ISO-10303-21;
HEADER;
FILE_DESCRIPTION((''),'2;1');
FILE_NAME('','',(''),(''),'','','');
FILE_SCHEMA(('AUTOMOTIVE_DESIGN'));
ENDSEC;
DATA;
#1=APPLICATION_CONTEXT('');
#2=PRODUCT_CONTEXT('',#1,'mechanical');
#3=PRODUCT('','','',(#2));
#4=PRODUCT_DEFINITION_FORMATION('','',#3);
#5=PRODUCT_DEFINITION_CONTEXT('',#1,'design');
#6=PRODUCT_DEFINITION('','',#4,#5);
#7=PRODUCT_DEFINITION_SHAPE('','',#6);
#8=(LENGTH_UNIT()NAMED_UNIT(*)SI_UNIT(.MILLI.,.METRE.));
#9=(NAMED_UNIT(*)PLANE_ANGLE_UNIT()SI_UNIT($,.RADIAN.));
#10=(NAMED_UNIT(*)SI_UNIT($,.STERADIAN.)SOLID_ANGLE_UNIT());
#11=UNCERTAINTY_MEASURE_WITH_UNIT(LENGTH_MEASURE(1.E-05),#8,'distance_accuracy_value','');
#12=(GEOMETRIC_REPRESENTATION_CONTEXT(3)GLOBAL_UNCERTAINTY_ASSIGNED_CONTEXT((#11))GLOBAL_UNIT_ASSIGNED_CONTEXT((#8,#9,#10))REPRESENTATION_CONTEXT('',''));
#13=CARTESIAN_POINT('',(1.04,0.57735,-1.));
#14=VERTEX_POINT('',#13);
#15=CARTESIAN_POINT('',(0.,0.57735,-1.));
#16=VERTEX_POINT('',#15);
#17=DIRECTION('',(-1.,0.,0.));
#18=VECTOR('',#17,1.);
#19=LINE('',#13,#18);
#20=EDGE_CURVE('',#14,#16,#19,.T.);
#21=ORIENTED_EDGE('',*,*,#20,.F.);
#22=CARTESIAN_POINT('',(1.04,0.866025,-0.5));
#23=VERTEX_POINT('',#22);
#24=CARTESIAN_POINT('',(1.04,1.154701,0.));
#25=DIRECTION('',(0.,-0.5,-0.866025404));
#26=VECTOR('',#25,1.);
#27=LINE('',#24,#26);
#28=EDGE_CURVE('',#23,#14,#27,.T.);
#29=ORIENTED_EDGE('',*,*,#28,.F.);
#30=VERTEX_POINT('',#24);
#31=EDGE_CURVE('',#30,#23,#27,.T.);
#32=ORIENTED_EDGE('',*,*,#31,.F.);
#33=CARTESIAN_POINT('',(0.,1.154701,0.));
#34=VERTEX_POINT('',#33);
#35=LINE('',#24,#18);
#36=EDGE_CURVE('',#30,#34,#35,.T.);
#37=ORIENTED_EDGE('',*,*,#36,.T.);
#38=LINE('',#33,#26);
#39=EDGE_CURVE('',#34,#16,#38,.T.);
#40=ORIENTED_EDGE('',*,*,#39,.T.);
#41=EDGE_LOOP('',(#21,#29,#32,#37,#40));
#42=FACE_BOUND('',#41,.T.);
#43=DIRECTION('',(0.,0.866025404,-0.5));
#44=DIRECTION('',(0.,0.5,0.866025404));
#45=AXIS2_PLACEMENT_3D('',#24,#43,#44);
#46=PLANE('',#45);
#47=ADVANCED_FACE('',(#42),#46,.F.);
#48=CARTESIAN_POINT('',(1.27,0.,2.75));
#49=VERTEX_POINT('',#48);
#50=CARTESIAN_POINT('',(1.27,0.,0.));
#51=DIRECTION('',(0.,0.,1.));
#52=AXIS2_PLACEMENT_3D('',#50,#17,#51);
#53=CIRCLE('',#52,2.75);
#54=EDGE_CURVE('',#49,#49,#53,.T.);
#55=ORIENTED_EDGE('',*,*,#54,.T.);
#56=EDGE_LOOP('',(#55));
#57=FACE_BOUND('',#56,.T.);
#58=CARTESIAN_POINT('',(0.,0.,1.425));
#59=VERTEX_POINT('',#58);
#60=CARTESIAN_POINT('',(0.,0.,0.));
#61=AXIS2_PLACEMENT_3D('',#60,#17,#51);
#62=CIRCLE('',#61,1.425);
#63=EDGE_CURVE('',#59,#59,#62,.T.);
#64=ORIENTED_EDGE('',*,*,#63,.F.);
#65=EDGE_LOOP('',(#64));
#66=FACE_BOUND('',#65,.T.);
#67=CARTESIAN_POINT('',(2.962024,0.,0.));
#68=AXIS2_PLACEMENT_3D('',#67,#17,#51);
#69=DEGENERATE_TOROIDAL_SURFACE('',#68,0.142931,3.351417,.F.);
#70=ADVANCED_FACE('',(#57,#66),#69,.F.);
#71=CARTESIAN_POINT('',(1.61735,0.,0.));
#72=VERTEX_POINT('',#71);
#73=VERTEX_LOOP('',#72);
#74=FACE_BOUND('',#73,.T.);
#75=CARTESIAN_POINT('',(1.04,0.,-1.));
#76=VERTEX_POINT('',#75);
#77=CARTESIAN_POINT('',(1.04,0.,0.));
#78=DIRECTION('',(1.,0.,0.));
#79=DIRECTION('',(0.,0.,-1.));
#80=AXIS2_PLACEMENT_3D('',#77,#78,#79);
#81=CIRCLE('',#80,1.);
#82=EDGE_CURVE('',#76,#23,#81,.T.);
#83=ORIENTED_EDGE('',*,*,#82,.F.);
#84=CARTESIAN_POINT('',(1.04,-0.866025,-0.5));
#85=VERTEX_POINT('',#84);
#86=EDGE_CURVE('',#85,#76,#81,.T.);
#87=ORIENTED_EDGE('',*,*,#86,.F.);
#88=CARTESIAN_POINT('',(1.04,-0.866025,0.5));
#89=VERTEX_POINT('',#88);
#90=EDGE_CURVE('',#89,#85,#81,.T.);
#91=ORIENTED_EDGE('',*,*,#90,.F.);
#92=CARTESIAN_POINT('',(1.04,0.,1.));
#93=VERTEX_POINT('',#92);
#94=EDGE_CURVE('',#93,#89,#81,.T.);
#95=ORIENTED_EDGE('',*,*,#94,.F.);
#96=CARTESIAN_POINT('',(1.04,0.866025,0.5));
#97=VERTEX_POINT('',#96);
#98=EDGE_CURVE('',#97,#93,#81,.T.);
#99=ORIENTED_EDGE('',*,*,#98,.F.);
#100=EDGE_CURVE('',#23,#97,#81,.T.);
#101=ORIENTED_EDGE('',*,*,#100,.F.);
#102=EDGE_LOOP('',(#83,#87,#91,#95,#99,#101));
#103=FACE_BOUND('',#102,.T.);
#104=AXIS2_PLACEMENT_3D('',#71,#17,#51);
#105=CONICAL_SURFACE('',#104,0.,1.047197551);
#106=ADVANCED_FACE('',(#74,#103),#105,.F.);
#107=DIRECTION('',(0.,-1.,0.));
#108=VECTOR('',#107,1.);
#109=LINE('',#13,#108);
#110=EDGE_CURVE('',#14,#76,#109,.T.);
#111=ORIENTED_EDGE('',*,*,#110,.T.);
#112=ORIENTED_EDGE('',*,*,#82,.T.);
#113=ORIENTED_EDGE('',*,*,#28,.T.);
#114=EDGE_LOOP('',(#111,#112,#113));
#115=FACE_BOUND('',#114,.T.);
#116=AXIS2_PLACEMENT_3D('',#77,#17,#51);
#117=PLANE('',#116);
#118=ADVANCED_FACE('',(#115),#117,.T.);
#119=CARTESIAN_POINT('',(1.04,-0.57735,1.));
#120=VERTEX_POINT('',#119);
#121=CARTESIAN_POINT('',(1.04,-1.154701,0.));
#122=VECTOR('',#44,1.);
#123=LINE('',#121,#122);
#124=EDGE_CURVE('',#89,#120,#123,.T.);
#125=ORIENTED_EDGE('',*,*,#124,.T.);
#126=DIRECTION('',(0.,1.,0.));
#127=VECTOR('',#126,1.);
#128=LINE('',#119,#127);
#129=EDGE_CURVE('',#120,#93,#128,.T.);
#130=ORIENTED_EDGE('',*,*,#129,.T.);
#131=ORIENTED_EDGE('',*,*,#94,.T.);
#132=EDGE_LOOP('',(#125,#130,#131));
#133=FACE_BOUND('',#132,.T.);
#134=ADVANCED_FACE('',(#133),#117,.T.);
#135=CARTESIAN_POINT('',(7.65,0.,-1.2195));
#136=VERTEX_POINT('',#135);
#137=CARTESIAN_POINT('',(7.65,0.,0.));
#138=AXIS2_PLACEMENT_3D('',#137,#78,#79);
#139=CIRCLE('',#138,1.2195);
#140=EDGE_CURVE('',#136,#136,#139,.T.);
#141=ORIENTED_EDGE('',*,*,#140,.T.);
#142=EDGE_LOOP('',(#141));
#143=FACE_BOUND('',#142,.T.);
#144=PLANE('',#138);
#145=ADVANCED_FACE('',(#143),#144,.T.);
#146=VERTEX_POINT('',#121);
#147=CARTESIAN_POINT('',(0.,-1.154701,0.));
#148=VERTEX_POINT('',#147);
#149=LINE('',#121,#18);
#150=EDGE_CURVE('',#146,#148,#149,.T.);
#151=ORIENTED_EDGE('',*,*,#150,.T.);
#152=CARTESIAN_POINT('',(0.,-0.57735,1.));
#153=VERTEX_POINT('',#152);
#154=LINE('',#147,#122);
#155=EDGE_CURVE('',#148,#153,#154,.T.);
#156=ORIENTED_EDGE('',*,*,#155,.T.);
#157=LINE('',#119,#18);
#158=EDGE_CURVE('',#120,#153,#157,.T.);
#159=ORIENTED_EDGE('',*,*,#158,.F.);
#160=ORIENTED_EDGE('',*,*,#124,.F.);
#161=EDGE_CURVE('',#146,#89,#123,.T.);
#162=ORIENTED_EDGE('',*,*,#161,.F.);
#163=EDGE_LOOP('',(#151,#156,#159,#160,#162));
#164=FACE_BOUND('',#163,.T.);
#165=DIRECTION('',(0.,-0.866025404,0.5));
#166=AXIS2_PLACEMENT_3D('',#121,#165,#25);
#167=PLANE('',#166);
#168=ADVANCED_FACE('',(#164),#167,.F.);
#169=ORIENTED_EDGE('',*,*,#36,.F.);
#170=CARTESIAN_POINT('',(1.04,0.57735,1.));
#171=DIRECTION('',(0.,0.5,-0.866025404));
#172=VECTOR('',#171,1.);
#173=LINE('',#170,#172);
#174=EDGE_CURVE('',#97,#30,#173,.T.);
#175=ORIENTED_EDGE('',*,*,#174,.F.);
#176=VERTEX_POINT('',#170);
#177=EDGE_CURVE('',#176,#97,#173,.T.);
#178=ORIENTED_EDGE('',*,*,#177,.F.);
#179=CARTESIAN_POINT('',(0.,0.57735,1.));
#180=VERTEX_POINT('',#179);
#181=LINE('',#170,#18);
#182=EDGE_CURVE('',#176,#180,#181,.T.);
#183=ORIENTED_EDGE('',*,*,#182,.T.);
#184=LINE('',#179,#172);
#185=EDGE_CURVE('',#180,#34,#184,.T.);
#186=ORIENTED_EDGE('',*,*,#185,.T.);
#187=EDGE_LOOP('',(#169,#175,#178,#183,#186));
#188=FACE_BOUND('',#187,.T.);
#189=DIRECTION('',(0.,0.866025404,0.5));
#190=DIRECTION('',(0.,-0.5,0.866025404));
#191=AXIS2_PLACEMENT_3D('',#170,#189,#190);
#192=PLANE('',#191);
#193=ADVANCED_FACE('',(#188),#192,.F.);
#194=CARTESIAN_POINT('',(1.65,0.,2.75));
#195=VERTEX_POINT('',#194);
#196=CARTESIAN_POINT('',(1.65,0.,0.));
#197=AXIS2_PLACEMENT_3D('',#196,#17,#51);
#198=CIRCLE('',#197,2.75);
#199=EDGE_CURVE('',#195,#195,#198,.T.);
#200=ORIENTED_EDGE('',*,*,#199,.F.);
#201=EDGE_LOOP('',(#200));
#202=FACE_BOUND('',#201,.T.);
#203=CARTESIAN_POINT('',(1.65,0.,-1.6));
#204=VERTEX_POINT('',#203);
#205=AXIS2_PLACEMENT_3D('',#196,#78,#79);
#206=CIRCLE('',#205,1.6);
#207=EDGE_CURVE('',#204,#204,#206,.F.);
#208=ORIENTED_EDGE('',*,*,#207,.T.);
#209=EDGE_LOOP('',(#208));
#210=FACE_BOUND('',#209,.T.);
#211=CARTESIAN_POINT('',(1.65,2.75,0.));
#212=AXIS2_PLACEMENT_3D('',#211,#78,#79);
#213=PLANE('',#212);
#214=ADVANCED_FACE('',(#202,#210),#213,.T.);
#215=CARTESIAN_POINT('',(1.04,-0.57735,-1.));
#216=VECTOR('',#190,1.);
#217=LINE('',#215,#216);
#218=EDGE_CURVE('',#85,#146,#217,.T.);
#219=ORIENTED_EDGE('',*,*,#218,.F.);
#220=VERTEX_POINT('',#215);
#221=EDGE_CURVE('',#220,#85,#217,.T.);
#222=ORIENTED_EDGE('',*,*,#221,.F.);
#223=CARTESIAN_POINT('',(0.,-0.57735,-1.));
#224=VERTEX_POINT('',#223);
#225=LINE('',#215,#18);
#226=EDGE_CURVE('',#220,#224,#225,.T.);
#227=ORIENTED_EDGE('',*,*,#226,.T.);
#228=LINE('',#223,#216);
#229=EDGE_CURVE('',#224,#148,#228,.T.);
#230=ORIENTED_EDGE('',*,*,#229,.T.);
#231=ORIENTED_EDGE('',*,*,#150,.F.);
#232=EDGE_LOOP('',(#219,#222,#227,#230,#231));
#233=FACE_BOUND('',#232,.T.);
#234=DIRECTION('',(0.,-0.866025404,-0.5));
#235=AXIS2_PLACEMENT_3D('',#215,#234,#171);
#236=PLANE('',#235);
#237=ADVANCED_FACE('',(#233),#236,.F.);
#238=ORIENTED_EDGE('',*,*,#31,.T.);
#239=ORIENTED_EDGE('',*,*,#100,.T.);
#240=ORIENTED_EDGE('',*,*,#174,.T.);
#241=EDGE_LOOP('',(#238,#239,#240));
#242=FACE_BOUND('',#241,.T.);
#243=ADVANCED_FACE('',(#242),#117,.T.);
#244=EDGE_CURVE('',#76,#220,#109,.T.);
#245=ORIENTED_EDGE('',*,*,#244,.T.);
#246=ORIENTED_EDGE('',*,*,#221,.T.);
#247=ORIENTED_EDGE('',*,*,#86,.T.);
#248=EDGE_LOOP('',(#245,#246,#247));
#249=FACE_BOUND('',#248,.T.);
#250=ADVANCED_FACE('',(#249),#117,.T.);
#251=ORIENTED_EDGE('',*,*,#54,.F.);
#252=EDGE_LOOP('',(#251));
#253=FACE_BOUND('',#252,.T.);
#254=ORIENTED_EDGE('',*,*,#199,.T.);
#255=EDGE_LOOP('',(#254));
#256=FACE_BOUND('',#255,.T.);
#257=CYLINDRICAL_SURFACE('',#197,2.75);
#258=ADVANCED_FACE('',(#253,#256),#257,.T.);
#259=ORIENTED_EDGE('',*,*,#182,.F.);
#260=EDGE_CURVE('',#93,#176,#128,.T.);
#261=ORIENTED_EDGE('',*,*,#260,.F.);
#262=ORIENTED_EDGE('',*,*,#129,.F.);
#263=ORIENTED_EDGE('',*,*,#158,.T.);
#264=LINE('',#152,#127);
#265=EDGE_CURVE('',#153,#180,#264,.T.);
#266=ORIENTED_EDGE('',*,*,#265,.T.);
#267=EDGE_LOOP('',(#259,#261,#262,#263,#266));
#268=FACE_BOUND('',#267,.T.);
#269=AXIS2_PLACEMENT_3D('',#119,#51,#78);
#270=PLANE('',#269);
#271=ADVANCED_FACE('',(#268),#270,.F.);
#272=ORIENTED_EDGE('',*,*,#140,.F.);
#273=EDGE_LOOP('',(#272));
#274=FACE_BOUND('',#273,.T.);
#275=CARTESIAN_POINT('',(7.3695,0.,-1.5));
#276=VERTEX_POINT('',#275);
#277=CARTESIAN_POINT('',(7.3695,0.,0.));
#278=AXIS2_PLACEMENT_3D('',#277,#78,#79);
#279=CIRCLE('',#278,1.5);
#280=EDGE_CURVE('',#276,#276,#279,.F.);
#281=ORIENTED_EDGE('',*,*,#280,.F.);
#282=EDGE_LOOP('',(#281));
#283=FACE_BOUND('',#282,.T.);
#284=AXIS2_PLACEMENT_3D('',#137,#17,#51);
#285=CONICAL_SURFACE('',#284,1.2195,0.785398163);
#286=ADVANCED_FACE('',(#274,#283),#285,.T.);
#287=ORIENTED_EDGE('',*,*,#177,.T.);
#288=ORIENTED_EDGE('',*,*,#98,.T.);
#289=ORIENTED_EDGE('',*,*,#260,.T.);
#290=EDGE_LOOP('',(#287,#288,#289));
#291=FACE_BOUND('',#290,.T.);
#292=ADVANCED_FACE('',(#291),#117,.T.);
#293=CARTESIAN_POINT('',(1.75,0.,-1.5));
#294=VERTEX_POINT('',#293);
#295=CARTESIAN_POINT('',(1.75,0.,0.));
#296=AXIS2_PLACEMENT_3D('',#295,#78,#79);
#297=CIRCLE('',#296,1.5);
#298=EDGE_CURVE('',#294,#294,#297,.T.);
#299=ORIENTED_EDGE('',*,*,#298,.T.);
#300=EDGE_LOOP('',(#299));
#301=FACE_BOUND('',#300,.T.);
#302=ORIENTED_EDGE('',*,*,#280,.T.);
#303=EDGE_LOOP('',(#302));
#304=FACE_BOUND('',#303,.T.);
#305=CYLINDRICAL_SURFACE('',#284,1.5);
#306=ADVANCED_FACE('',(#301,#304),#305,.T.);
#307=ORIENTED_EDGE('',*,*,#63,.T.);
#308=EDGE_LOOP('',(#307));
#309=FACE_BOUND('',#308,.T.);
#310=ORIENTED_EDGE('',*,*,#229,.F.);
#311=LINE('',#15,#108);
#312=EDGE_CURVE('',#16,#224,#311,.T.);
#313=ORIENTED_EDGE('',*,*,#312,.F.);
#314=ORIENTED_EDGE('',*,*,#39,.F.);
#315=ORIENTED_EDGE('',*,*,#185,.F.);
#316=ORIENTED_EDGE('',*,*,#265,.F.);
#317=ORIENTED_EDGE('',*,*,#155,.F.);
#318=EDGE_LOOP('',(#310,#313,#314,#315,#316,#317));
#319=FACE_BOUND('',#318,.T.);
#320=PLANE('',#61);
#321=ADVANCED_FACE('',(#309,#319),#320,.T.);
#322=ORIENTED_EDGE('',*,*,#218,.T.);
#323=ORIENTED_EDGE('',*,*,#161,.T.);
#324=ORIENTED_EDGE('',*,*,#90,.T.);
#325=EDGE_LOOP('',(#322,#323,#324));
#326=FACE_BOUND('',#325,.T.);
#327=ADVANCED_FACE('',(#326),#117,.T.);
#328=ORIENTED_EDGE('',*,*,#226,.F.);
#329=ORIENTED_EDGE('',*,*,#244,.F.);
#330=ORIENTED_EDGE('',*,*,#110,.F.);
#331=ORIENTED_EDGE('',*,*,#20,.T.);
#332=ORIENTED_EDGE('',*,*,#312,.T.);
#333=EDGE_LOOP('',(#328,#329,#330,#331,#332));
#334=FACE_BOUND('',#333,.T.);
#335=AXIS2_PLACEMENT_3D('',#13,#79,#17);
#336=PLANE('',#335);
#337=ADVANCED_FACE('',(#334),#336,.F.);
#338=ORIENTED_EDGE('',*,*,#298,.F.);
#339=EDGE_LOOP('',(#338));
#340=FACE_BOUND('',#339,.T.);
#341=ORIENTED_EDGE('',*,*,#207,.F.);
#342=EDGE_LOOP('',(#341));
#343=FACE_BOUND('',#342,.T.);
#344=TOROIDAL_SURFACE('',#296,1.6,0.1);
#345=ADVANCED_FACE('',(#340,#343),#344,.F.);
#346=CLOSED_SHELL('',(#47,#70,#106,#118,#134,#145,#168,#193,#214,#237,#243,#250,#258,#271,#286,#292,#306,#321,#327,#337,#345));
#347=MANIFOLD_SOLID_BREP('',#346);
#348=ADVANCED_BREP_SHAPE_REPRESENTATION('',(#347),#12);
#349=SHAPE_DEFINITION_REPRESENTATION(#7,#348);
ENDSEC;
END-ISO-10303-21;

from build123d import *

# Parameters (mm, degrees)
CUT_EXTRUDE1_DEPTH        = 1.04
SKETCH4_R                 = 1.5
LARGO_Y_ANCHO_ROSCA_DEPTH = 6
FILLET1_R                 = 0.1
CHAMFER1_SIZE             = 0.2805


with BuildPart() as part:
    # Sketch1 → Revolve1 (revolve)
    with BuildSketch(Plane(origin=(0, 0, 0), x_dir=(-1, 0, 0), z_dir=(0, 0, -1)), mode=Mode.PRIVATE) as revolve1_sk:
        with BuildLine():
            Line((-1.65, 2.75), (-1.65, 0))
            Line((-1.65, 0), (0, 0))
            Line((0, 0), (0, 1.425))
            ThreePointArc((0, 1.425), (-0.542530893, 2.176130767), (-1.27, 2.75))
            Line((-1.27, 2.75), (-1.65, 2.75))
        make_face()
    revolve(revolve1_sk.sketch.rotate(Axis((1.65, 0, 0), (-1, 0, 0)), 270), axis=Axis((1.65, 0, 0), (-1, 0, 0)))

    # Sketch2 → Cut-Extrude1 (cut)
    with BuildSketch(Plane.ZY):
        Polygon((-1, 0.577350269), (-1, -0.577350269), (0, -1.154700538), (1, -0.577350269), (1, 0.577350269), (0, 1.154700538), align=None)
    extrude(amount=-CUT_EXTRUDE1_DEPTH, mode=Mode.SUBTRACT)

    # Sketch3 → Cut-Revolve1 (revolve, cut)
    with BuildSketch(Plane.XY, mode=Mode.PRIVATE) as cut_revolve1_sk:
        Polygon((1.04, 1), (1.04, 0), (1.617350269, 0), align=None)
    revolve(cut_revolve1_sk.sketch.rotate(Axis((1.04, 0, 0), (1, 0, 0)), 90), axis=Axis((1.04, 0, 0), (1, 0, 0)), mode=Mode.SUBTRACT)

    # Sketch4 → Largo y Ancho rosca (add)
    with BuildSketch(Plane(origin=(1.65, 0, 0), x_dir=(0, 0, -1), z_dir=(1, 0, 0))):
        Circle(SKETCH4_R)
    extrude(amount=LARGO_Y_ANCHO_ROSCA_DEPTH)

    # Fillet1
    fillet1_edges = [part.edges().sort_by_distance(p)[0] for p in [
        (1.65, 0, 1.5),
    ]]
    fillet(fillet1_edges, radius=FILLET1_R)

    # Chamfer1
    chamfer1_edges = [part.edges().sort_by_distance(p)[0] for p in [
        (7.65, 0, 1.5),
    ]]
    chamfer(chamfer1_edges, length=CHAMFER1_SIZE)


solid = part.part
